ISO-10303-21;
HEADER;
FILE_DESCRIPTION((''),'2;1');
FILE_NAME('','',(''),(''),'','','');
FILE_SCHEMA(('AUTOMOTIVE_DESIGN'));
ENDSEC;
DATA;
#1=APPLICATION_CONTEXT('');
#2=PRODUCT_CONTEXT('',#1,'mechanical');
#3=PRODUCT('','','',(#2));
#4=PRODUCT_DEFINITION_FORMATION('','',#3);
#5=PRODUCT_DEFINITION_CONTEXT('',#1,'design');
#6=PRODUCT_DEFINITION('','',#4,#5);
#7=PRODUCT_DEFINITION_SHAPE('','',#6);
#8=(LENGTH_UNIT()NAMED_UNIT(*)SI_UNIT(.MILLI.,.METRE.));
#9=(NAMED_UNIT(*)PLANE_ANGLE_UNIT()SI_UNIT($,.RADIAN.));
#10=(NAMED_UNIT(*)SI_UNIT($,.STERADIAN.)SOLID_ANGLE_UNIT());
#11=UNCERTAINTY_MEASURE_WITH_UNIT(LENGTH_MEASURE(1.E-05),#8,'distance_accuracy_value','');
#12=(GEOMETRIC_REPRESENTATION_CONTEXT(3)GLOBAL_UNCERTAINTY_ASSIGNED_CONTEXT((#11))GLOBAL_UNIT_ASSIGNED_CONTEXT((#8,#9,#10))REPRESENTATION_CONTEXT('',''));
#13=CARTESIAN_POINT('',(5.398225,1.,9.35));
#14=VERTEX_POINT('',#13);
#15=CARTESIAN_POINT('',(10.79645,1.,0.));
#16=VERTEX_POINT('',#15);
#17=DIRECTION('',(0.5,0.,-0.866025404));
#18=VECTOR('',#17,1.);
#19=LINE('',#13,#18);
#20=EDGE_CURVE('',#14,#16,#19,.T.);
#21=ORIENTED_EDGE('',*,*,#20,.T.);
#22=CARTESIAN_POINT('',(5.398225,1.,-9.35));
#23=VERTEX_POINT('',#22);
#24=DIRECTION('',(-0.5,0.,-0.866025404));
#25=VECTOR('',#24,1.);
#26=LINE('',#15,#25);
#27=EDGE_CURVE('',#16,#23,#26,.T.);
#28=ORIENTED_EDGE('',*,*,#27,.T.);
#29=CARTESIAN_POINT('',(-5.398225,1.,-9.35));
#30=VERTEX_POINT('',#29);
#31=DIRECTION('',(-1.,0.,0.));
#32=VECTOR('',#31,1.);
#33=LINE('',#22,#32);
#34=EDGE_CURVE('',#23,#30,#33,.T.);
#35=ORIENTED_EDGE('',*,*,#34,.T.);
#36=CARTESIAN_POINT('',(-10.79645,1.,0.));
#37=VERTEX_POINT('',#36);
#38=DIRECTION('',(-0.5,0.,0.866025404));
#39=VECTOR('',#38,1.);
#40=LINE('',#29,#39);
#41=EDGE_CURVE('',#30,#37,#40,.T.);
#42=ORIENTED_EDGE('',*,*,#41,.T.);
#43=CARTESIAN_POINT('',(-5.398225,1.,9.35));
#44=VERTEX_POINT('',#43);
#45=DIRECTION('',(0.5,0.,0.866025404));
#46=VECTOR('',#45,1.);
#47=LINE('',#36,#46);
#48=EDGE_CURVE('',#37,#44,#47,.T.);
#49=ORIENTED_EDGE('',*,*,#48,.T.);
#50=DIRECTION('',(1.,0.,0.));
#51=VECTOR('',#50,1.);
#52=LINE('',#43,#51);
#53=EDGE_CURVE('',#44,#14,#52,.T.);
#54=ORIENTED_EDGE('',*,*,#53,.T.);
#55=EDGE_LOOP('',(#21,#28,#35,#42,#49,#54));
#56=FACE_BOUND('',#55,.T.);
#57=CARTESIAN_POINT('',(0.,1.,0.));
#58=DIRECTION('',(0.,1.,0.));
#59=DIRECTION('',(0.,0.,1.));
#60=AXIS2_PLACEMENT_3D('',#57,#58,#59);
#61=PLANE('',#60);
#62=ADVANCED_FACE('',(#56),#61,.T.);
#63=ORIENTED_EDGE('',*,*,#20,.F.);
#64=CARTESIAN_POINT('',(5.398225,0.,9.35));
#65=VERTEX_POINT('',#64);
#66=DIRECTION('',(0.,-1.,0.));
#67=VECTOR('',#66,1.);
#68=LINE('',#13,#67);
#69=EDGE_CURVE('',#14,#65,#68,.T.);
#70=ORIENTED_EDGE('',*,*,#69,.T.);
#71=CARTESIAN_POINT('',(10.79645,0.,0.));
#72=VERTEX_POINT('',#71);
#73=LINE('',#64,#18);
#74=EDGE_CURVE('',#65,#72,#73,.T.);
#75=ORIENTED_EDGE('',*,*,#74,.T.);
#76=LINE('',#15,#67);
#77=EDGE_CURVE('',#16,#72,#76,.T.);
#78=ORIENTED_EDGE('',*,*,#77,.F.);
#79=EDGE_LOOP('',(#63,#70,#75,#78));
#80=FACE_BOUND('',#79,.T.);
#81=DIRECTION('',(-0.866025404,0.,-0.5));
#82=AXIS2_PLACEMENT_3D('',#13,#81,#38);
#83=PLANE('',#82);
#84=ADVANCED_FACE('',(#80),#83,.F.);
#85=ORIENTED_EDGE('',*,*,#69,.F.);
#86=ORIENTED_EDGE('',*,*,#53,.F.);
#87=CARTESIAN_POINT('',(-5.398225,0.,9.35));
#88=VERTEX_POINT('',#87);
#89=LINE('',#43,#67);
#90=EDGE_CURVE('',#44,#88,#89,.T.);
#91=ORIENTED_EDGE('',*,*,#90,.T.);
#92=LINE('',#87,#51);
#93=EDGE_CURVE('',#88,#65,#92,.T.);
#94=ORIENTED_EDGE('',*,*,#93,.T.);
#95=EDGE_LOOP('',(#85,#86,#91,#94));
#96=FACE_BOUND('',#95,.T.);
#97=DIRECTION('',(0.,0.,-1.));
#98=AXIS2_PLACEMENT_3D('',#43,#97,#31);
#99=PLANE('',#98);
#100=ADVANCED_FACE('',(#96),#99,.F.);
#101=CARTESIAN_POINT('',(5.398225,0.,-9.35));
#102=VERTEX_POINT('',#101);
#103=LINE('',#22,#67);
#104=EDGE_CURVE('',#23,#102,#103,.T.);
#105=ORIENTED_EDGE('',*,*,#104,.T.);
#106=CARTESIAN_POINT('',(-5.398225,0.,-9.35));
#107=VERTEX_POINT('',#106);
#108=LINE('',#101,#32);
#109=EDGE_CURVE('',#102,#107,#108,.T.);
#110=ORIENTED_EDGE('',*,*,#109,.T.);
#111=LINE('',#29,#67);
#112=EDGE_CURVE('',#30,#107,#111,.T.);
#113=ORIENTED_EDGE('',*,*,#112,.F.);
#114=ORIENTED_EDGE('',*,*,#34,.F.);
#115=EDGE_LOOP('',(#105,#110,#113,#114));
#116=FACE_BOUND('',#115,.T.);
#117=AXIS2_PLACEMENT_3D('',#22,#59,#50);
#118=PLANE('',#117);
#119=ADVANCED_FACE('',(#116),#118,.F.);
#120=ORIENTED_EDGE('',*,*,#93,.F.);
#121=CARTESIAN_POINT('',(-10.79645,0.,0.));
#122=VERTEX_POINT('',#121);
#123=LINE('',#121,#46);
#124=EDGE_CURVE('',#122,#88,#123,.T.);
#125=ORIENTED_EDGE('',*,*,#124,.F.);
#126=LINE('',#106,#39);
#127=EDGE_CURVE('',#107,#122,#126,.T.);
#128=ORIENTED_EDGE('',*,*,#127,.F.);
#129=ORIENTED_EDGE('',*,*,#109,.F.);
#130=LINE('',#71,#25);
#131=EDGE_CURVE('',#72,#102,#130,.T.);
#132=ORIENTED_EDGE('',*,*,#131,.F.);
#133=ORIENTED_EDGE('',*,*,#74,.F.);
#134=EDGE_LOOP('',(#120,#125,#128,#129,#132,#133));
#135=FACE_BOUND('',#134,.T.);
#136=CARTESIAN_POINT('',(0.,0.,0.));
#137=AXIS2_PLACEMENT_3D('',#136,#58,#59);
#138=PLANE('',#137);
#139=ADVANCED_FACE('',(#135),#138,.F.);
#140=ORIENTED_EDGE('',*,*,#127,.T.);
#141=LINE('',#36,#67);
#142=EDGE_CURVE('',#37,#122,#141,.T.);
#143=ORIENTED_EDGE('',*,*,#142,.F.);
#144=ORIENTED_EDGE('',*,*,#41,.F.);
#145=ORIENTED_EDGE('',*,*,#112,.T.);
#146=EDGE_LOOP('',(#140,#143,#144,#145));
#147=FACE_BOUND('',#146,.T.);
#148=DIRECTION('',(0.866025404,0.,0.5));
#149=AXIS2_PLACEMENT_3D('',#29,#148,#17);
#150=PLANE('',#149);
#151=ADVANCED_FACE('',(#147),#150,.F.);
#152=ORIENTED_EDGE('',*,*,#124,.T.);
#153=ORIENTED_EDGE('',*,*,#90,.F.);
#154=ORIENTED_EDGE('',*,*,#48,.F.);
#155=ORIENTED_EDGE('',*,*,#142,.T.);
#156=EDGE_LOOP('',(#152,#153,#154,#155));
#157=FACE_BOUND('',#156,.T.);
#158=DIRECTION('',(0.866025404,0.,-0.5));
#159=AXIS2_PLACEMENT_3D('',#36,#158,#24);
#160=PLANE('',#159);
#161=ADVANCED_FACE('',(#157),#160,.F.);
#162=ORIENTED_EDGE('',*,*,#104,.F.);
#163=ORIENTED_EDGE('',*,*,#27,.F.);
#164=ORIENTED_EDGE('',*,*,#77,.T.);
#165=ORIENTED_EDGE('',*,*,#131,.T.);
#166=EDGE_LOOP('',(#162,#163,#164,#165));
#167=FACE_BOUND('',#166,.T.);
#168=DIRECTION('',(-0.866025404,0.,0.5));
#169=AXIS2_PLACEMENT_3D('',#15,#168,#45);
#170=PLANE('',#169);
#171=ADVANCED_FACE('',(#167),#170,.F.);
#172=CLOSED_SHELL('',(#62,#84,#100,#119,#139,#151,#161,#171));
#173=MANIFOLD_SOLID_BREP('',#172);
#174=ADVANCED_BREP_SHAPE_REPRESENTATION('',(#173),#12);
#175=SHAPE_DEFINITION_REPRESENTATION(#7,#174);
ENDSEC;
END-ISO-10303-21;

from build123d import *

# Parameters (mm, degrees)
BOSS_EXTRUDE1_DEPTH = 1


with BuildPart() as part:
    # Sketch1 → Boss-Extrude1 (new body)
    with BuildSketch(Plane(origin=(0, 0, 0), x_dir=(1, 0, 0), z_dir=(0, 1, 0))):
        Polygon((-5.398225017, -9.35), (5.398225017, -9.35), (10.796450034, 0), (5.398225017, 9.35), (-5.398225017, 9.35), (-10.796450034, 0), align=None)
    extrude(amount=BOSS_EXTRUDE1_DEPTH)


solid = part.part
